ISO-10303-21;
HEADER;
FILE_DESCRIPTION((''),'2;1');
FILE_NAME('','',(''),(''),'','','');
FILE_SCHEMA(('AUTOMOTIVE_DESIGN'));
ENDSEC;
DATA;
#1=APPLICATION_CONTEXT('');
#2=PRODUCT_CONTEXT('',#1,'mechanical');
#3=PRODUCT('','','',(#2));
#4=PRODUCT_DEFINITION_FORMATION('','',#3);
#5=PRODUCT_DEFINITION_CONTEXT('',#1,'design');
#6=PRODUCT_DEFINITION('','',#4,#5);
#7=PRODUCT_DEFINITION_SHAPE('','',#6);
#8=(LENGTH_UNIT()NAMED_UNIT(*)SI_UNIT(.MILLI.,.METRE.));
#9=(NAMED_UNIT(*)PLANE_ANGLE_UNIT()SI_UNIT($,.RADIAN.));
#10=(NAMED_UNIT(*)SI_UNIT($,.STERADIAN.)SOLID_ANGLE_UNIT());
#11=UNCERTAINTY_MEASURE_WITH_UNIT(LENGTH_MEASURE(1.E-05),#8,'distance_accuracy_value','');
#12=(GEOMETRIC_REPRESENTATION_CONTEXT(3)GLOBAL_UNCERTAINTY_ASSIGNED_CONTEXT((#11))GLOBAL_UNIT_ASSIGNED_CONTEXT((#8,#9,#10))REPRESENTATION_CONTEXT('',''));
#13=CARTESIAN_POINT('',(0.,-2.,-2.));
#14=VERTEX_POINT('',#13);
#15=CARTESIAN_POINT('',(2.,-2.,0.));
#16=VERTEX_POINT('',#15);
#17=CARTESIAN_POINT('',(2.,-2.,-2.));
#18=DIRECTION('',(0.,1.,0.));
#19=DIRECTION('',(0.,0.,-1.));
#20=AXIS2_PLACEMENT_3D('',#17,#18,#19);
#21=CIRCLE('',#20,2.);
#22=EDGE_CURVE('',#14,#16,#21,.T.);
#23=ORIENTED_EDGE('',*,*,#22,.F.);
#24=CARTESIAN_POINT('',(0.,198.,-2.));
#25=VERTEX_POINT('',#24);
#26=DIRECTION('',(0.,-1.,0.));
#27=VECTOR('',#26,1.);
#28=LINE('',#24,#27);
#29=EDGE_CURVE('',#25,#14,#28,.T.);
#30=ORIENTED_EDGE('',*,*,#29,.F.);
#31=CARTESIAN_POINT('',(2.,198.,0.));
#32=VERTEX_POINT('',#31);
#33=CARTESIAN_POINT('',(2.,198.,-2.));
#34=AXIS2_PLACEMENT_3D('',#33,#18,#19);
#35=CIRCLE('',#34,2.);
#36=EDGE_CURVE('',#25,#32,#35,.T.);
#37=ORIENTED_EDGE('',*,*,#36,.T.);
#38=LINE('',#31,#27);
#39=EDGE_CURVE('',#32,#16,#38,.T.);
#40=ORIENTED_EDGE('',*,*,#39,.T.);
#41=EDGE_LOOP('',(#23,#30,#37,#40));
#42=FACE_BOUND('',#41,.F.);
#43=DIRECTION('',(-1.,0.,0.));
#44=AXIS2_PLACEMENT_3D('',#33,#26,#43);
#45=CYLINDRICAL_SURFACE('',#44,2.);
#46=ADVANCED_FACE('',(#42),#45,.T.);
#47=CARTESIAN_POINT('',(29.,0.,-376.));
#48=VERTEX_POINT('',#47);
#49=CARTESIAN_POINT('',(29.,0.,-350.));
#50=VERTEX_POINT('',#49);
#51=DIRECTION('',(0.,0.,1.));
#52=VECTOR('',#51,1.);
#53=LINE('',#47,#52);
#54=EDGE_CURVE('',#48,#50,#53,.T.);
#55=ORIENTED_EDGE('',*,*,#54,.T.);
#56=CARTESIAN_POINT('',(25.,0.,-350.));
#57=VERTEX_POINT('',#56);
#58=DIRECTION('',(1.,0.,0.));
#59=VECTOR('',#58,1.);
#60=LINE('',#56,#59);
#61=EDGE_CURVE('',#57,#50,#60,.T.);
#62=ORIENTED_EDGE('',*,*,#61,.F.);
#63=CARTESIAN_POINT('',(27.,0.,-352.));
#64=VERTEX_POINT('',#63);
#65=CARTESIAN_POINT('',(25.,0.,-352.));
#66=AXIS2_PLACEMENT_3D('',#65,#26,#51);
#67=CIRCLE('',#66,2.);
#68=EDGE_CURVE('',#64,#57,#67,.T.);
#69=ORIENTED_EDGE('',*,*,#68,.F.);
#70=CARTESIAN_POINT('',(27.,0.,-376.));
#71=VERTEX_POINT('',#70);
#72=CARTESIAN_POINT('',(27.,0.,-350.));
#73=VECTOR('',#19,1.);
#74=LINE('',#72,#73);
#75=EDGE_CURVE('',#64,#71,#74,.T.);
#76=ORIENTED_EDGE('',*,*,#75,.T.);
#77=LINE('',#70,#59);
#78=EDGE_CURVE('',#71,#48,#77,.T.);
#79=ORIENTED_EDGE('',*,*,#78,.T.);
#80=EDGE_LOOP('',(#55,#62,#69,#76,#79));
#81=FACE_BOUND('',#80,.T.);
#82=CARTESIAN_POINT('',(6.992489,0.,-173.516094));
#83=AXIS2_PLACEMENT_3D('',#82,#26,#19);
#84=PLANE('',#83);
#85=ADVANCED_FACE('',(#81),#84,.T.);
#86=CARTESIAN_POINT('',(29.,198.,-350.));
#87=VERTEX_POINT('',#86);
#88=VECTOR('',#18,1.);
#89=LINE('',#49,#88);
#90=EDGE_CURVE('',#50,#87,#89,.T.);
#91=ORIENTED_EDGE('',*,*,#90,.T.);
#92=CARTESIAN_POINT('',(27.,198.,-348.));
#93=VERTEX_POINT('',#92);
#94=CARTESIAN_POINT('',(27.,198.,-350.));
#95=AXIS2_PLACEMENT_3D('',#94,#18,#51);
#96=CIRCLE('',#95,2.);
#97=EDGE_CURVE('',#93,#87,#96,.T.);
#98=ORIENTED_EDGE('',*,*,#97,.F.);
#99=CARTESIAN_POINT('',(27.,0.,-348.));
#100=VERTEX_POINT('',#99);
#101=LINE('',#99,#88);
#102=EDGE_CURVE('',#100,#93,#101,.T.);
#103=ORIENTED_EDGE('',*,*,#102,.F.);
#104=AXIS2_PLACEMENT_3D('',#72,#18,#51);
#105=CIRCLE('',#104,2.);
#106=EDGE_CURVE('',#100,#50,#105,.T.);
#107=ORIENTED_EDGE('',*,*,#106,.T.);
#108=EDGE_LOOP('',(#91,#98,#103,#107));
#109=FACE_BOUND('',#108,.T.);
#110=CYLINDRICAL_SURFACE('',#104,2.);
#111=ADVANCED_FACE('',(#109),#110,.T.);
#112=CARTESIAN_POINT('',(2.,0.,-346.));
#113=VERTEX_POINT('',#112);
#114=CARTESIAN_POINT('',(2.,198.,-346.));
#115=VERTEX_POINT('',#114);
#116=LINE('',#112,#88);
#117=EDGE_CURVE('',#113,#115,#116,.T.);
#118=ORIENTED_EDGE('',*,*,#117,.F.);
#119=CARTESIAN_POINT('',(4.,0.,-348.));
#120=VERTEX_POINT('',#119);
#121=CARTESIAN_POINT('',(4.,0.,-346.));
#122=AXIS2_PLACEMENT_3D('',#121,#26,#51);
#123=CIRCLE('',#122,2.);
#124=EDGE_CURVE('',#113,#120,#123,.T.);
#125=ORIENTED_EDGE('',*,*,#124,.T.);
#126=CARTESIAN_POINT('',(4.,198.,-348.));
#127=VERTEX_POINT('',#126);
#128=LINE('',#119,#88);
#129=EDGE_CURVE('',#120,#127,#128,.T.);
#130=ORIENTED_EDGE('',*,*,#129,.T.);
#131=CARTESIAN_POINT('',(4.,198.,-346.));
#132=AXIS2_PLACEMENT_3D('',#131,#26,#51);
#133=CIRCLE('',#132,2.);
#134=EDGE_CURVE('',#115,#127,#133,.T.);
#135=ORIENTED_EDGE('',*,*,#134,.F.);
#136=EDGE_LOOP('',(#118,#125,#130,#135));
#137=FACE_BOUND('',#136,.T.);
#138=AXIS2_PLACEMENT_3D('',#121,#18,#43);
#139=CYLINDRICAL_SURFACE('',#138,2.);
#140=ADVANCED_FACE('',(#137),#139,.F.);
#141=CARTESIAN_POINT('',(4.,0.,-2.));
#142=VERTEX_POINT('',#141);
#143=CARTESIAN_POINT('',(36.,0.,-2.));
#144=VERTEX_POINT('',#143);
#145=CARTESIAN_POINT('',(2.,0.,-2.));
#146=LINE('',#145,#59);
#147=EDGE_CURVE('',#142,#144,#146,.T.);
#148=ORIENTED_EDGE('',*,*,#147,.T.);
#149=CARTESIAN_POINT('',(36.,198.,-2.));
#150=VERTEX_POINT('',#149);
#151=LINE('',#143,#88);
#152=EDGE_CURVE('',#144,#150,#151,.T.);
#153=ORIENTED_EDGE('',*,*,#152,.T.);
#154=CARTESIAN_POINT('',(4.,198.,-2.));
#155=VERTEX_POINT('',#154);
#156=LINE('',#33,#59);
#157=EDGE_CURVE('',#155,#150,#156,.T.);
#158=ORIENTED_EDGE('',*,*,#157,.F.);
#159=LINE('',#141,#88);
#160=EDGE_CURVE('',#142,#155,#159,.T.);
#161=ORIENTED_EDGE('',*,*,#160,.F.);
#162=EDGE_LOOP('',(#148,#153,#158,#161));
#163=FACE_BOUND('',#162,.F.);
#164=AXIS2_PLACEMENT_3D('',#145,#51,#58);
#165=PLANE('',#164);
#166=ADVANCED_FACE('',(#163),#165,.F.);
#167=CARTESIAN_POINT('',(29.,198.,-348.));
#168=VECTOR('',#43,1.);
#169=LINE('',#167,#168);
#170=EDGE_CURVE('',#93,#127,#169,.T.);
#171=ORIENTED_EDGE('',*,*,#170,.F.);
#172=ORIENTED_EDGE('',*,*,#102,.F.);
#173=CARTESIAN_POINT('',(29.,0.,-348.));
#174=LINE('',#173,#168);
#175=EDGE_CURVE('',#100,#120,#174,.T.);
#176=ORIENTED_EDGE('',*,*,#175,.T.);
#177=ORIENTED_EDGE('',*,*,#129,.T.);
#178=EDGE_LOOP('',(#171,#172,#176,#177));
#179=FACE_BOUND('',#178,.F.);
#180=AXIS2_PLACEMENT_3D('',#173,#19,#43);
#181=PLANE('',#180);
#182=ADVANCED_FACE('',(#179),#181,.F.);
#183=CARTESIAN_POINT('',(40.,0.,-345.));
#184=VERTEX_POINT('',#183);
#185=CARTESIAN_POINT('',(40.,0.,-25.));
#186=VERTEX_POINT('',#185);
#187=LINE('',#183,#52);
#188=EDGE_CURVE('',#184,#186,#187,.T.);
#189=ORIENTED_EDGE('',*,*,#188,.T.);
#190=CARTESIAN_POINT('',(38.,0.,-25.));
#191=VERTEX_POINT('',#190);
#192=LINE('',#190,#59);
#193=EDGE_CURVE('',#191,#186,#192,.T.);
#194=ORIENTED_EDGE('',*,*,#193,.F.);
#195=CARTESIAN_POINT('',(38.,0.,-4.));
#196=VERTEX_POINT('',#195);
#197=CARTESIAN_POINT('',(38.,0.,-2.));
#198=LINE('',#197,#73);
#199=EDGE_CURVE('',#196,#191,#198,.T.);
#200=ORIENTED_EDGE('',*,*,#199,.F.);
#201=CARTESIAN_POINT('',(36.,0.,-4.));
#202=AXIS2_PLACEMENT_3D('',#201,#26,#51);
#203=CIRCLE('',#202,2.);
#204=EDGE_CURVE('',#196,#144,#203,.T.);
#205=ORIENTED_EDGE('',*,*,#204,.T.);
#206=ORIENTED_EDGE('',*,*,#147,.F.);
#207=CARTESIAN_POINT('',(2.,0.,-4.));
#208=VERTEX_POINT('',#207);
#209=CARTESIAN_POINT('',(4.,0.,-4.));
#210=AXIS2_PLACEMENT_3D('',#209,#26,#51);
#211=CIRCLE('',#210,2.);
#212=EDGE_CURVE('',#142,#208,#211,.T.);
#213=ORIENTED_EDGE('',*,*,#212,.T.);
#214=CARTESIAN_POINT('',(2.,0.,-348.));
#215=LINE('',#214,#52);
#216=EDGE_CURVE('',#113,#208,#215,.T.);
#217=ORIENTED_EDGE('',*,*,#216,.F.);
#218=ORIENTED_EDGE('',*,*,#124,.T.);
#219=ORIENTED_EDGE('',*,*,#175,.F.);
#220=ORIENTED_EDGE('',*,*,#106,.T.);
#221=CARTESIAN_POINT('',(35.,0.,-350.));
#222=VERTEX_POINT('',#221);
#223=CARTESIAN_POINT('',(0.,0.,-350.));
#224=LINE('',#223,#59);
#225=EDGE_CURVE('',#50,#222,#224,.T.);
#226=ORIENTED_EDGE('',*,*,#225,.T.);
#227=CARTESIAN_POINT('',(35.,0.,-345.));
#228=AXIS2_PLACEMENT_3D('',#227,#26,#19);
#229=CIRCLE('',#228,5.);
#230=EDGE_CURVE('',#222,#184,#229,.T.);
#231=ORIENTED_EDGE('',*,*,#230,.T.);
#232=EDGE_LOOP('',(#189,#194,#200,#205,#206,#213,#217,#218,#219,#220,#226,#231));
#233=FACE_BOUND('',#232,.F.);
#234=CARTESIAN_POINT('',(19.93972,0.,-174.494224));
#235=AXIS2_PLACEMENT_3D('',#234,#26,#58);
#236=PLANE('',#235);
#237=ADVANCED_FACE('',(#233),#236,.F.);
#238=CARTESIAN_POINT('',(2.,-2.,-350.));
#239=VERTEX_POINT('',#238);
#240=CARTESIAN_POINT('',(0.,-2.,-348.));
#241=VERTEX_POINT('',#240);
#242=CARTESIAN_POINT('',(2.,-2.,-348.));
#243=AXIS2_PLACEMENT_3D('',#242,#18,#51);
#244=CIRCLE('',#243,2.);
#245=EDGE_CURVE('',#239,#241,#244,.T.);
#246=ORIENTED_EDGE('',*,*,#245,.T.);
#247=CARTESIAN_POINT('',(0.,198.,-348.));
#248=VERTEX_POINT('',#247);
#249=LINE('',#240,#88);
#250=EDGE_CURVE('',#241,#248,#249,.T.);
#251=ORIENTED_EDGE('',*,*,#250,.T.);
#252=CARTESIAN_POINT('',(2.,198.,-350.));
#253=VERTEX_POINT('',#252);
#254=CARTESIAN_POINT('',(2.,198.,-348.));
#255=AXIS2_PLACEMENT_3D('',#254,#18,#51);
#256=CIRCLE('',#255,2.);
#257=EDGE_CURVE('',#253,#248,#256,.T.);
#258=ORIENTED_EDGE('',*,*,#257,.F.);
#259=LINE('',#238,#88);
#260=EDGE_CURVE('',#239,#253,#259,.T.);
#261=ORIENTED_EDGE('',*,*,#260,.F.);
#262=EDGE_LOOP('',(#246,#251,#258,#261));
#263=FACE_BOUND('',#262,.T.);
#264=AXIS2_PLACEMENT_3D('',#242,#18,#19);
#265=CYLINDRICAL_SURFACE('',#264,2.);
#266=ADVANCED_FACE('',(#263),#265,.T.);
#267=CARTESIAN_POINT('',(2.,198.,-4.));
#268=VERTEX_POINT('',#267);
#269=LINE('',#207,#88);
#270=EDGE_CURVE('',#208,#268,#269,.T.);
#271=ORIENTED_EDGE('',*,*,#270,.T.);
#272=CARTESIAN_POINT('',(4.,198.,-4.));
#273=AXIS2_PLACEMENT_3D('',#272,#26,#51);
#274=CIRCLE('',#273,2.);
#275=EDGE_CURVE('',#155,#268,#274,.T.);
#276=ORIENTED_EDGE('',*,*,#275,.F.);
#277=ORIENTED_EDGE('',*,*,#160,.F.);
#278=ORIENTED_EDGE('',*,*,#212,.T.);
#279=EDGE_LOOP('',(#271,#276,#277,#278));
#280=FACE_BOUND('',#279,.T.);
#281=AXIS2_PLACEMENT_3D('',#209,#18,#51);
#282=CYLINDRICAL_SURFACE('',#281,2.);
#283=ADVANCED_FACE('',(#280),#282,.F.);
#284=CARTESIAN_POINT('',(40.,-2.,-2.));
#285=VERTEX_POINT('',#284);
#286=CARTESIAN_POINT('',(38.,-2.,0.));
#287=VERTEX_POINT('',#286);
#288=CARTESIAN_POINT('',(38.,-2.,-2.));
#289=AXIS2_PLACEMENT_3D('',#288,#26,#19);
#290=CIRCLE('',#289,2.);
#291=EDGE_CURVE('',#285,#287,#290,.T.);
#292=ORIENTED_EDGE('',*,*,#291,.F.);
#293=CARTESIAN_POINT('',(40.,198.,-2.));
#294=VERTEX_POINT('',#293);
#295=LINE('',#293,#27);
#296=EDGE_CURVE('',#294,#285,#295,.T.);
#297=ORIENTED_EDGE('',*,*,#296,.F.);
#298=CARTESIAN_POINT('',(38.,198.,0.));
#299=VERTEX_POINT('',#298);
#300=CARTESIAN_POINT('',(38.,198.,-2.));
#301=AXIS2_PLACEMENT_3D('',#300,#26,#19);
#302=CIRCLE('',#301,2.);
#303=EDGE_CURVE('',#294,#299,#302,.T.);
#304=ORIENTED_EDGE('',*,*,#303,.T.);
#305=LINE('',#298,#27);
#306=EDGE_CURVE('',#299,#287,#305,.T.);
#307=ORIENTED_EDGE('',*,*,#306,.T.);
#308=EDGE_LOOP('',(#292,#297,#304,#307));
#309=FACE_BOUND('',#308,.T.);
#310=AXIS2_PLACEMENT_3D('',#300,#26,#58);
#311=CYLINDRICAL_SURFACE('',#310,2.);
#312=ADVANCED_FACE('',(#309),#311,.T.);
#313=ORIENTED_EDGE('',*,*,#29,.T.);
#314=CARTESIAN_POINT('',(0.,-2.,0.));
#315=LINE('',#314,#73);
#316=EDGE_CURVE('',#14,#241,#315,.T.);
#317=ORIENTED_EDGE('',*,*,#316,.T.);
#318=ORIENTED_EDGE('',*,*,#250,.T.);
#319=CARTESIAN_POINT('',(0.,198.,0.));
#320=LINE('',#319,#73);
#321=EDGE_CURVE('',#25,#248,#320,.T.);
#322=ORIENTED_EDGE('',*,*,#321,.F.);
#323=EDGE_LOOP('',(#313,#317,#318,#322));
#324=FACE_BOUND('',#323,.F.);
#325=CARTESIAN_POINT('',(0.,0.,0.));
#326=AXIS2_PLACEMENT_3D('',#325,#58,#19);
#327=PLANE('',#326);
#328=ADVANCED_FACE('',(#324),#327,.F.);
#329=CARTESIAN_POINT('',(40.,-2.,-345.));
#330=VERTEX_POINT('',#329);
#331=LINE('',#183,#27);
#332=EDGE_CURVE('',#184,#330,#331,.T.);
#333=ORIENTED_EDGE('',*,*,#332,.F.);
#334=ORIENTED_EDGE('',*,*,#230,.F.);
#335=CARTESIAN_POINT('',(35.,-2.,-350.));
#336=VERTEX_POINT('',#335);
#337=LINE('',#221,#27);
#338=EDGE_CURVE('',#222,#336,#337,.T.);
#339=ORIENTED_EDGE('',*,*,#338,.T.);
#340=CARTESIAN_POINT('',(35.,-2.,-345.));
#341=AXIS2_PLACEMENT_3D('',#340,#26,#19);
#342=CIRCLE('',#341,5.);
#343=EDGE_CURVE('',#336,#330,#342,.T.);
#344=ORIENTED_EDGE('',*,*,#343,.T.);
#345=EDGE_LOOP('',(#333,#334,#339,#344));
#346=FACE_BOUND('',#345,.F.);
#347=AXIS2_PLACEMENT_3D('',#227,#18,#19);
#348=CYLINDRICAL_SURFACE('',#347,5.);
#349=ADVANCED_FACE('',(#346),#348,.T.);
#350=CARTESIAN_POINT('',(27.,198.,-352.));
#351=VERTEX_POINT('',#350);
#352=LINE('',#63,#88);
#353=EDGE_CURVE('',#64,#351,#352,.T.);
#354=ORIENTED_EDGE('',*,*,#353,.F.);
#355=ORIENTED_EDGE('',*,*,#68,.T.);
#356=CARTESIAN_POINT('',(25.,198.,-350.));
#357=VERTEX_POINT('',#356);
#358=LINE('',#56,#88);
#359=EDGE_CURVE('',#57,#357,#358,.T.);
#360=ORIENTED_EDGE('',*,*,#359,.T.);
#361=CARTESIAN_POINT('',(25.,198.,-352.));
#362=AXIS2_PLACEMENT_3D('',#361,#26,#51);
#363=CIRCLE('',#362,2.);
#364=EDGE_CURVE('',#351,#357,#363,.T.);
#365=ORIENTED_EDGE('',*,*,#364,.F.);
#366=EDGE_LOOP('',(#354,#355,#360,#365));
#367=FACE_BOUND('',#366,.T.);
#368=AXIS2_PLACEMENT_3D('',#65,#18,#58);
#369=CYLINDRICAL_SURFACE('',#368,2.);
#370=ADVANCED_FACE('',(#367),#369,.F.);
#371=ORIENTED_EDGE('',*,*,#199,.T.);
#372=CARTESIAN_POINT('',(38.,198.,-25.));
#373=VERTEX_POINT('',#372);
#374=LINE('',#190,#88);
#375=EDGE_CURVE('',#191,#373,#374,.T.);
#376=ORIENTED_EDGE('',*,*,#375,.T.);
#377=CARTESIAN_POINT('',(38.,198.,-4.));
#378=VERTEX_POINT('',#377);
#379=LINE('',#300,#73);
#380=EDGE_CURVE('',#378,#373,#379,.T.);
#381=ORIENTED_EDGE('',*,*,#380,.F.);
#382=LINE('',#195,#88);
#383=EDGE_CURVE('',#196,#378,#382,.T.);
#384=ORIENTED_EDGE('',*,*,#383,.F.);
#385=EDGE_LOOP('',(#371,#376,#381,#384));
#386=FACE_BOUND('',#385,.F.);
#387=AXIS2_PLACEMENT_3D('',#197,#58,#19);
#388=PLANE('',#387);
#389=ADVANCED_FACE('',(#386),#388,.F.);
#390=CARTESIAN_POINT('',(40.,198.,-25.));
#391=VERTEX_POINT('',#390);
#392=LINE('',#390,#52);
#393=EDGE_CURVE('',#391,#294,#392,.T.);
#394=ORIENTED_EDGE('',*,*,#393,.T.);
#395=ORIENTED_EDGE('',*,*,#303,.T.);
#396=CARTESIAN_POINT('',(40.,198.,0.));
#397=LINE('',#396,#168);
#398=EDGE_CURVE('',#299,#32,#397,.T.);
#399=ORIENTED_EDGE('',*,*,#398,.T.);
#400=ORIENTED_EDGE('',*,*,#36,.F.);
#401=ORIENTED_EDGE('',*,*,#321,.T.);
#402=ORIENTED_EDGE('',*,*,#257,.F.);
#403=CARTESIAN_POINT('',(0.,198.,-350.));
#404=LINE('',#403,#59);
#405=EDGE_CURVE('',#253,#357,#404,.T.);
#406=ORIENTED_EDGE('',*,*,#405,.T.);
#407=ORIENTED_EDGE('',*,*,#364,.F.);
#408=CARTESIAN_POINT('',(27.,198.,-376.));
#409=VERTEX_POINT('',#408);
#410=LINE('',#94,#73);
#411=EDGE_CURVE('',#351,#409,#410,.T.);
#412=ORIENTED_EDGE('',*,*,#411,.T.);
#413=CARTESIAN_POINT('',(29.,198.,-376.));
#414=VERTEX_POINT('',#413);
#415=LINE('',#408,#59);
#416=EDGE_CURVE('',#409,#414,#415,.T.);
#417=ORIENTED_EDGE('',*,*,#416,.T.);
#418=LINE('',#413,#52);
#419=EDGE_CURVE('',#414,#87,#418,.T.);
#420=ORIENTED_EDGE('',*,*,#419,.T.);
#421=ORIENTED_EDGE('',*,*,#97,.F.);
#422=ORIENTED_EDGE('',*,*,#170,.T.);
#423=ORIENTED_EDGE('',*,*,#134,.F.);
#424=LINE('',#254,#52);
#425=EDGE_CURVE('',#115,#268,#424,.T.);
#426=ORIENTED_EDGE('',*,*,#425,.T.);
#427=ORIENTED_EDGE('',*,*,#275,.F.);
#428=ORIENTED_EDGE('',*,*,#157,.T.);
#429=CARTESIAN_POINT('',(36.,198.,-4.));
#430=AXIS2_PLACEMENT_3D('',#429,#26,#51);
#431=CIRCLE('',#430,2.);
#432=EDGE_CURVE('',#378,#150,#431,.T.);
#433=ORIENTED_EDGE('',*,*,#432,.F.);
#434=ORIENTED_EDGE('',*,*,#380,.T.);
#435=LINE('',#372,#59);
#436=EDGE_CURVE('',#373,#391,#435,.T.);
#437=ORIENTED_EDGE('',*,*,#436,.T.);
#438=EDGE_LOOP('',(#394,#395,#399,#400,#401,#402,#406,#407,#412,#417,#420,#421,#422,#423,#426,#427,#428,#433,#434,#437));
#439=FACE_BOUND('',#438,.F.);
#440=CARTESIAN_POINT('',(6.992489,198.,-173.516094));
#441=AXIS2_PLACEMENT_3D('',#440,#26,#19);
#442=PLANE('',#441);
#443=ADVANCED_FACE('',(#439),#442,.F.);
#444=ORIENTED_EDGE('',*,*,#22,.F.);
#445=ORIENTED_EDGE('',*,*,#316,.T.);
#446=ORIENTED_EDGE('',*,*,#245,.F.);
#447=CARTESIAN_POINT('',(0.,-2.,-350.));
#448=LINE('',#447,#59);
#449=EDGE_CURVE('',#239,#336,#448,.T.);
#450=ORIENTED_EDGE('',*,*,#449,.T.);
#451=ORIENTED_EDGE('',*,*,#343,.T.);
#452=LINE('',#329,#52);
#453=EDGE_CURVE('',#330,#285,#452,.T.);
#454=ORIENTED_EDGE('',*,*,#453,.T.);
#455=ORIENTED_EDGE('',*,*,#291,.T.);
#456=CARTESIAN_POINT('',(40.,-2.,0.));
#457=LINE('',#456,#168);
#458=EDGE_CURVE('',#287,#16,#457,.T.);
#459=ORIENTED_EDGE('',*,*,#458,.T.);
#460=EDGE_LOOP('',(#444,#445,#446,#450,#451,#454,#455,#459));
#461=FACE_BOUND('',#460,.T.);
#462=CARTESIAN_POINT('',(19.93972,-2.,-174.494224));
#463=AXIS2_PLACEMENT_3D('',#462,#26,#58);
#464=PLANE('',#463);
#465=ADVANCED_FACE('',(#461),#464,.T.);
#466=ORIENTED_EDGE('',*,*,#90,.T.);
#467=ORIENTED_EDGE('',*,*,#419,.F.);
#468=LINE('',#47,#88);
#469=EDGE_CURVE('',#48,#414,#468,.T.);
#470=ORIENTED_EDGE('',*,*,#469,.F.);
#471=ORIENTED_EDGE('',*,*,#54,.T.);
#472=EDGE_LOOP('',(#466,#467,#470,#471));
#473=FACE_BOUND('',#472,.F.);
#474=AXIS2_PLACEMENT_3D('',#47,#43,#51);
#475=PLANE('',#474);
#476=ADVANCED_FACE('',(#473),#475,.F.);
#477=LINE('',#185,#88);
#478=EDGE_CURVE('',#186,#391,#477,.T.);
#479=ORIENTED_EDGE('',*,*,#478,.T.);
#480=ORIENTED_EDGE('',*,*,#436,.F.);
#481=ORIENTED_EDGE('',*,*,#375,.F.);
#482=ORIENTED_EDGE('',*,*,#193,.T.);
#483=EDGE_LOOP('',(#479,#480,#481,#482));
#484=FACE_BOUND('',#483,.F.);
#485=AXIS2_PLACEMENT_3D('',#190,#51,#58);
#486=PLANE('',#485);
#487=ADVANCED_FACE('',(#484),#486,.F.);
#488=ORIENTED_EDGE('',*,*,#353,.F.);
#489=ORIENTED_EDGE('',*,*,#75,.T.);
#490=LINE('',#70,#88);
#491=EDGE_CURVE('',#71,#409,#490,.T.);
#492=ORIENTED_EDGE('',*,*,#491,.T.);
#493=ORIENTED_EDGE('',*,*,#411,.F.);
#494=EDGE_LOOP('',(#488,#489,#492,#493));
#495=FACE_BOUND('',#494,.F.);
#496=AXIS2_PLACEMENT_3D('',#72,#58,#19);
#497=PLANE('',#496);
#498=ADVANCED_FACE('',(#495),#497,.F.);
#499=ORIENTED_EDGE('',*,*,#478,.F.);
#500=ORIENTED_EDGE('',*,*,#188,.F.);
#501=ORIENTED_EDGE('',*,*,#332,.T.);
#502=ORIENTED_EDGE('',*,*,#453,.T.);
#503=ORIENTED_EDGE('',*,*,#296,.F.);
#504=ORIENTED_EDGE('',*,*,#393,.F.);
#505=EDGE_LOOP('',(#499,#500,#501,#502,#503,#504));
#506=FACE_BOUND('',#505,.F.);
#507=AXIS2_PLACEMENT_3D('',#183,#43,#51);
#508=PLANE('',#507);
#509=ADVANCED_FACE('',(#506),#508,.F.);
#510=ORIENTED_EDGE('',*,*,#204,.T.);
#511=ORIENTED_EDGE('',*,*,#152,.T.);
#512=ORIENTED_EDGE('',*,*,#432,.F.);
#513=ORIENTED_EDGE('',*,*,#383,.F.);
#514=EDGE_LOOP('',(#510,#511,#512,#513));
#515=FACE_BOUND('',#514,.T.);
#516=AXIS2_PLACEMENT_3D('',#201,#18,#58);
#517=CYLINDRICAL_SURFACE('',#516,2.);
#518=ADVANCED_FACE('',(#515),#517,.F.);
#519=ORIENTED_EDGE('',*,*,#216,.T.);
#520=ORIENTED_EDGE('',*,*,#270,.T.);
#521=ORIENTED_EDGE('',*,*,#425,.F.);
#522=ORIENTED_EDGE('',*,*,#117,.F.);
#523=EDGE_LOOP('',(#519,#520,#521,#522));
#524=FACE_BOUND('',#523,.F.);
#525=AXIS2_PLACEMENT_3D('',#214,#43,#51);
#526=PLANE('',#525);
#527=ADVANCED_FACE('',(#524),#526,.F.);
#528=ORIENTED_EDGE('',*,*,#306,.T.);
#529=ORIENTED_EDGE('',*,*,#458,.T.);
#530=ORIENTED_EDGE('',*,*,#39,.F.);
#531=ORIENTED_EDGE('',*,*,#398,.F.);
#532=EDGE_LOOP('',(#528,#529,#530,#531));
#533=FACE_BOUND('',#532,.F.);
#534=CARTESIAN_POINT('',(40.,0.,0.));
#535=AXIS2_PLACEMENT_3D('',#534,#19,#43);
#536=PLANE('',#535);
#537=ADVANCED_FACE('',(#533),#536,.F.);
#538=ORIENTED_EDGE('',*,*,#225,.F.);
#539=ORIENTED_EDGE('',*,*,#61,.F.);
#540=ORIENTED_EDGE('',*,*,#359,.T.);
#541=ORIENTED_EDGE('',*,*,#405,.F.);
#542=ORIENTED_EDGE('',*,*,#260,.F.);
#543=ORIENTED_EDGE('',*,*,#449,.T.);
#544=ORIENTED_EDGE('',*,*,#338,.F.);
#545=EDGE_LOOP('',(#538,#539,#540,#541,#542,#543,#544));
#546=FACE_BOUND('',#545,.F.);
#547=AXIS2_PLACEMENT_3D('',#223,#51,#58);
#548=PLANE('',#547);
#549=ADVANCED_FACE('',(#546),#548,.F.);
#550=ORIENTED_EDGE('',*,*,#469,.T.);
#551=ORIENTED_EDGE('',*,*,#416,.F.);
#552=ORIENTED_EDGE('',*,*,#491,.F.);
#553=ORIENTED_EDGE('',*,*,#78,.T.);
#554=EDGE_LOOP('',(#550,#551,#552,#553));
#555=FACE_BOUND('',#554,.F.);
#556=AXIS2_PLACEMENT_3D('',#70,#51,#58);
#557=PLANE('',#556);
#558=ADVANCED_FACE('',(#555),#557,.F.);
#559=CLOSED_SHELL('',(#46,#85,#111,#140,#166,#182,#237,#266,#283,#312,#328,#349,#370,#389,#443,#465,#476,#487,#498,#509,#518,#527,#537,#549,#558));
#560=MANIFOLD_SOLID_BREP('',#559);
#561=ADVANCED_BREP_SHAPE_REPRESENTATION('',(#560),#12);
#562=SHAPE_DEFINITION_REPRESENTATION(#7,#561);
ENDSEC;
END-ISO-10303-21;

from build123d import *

# Parameters (mm, degrees)
F4_DEPTH = 2
F6_R     = 2


with BuildPart() as f2:
    # F2: sweep along a path in F1
    with BuildLine(Plane.XY) as f2_path:
        Line((0, 0), (0, 198))
    # F0 (on Front) → F2 (sweep)
    with BuildSketch(Plane.XZ):
        Polygon((40, 0), (0, 0), (0, -350), (27, -350), (27, -376), (29, -376), (29, -348), (2, -348), (2, -2), (38, -2), (38, -25), (40, -25), align=None)
    sweep(path=f2_path.line)


with BuildPart() as f4:
    # F3 (on face) → F4 (new body)
    with BuildSketch(Plane.XZ):
        with BuildLine():
            Line((40, -345), (40, 0))
            Line((40, 0), (0, 0))
            Line((0, 0), (0, -350))
            Line((0, -350), (35, -350))
            ThreePointArc((35, -350), (38.5355339059, -348.5355339059), (40, -345))
        make_face()
    extrude(amount=F4_DEPTH)


with BuildPart() as f2_1:
    add(f2.part)

    # F5: union F4
    add(f4.part)

    # F6
    f6_edges = [f2_1.edges().sort_by_distance(p)[0] for p in [
        (2, 99, -348),
        (29, 99, -348),
        (27, 99, -350),
        (0, 98, -350),
        (40, 98, 0),
        (0, 98, 0),
        (2, 99, -2),
        (38, 99, -2),
    ]]
    fillet(f6_edges, radius=F6_R)


solid = f2_1.part
